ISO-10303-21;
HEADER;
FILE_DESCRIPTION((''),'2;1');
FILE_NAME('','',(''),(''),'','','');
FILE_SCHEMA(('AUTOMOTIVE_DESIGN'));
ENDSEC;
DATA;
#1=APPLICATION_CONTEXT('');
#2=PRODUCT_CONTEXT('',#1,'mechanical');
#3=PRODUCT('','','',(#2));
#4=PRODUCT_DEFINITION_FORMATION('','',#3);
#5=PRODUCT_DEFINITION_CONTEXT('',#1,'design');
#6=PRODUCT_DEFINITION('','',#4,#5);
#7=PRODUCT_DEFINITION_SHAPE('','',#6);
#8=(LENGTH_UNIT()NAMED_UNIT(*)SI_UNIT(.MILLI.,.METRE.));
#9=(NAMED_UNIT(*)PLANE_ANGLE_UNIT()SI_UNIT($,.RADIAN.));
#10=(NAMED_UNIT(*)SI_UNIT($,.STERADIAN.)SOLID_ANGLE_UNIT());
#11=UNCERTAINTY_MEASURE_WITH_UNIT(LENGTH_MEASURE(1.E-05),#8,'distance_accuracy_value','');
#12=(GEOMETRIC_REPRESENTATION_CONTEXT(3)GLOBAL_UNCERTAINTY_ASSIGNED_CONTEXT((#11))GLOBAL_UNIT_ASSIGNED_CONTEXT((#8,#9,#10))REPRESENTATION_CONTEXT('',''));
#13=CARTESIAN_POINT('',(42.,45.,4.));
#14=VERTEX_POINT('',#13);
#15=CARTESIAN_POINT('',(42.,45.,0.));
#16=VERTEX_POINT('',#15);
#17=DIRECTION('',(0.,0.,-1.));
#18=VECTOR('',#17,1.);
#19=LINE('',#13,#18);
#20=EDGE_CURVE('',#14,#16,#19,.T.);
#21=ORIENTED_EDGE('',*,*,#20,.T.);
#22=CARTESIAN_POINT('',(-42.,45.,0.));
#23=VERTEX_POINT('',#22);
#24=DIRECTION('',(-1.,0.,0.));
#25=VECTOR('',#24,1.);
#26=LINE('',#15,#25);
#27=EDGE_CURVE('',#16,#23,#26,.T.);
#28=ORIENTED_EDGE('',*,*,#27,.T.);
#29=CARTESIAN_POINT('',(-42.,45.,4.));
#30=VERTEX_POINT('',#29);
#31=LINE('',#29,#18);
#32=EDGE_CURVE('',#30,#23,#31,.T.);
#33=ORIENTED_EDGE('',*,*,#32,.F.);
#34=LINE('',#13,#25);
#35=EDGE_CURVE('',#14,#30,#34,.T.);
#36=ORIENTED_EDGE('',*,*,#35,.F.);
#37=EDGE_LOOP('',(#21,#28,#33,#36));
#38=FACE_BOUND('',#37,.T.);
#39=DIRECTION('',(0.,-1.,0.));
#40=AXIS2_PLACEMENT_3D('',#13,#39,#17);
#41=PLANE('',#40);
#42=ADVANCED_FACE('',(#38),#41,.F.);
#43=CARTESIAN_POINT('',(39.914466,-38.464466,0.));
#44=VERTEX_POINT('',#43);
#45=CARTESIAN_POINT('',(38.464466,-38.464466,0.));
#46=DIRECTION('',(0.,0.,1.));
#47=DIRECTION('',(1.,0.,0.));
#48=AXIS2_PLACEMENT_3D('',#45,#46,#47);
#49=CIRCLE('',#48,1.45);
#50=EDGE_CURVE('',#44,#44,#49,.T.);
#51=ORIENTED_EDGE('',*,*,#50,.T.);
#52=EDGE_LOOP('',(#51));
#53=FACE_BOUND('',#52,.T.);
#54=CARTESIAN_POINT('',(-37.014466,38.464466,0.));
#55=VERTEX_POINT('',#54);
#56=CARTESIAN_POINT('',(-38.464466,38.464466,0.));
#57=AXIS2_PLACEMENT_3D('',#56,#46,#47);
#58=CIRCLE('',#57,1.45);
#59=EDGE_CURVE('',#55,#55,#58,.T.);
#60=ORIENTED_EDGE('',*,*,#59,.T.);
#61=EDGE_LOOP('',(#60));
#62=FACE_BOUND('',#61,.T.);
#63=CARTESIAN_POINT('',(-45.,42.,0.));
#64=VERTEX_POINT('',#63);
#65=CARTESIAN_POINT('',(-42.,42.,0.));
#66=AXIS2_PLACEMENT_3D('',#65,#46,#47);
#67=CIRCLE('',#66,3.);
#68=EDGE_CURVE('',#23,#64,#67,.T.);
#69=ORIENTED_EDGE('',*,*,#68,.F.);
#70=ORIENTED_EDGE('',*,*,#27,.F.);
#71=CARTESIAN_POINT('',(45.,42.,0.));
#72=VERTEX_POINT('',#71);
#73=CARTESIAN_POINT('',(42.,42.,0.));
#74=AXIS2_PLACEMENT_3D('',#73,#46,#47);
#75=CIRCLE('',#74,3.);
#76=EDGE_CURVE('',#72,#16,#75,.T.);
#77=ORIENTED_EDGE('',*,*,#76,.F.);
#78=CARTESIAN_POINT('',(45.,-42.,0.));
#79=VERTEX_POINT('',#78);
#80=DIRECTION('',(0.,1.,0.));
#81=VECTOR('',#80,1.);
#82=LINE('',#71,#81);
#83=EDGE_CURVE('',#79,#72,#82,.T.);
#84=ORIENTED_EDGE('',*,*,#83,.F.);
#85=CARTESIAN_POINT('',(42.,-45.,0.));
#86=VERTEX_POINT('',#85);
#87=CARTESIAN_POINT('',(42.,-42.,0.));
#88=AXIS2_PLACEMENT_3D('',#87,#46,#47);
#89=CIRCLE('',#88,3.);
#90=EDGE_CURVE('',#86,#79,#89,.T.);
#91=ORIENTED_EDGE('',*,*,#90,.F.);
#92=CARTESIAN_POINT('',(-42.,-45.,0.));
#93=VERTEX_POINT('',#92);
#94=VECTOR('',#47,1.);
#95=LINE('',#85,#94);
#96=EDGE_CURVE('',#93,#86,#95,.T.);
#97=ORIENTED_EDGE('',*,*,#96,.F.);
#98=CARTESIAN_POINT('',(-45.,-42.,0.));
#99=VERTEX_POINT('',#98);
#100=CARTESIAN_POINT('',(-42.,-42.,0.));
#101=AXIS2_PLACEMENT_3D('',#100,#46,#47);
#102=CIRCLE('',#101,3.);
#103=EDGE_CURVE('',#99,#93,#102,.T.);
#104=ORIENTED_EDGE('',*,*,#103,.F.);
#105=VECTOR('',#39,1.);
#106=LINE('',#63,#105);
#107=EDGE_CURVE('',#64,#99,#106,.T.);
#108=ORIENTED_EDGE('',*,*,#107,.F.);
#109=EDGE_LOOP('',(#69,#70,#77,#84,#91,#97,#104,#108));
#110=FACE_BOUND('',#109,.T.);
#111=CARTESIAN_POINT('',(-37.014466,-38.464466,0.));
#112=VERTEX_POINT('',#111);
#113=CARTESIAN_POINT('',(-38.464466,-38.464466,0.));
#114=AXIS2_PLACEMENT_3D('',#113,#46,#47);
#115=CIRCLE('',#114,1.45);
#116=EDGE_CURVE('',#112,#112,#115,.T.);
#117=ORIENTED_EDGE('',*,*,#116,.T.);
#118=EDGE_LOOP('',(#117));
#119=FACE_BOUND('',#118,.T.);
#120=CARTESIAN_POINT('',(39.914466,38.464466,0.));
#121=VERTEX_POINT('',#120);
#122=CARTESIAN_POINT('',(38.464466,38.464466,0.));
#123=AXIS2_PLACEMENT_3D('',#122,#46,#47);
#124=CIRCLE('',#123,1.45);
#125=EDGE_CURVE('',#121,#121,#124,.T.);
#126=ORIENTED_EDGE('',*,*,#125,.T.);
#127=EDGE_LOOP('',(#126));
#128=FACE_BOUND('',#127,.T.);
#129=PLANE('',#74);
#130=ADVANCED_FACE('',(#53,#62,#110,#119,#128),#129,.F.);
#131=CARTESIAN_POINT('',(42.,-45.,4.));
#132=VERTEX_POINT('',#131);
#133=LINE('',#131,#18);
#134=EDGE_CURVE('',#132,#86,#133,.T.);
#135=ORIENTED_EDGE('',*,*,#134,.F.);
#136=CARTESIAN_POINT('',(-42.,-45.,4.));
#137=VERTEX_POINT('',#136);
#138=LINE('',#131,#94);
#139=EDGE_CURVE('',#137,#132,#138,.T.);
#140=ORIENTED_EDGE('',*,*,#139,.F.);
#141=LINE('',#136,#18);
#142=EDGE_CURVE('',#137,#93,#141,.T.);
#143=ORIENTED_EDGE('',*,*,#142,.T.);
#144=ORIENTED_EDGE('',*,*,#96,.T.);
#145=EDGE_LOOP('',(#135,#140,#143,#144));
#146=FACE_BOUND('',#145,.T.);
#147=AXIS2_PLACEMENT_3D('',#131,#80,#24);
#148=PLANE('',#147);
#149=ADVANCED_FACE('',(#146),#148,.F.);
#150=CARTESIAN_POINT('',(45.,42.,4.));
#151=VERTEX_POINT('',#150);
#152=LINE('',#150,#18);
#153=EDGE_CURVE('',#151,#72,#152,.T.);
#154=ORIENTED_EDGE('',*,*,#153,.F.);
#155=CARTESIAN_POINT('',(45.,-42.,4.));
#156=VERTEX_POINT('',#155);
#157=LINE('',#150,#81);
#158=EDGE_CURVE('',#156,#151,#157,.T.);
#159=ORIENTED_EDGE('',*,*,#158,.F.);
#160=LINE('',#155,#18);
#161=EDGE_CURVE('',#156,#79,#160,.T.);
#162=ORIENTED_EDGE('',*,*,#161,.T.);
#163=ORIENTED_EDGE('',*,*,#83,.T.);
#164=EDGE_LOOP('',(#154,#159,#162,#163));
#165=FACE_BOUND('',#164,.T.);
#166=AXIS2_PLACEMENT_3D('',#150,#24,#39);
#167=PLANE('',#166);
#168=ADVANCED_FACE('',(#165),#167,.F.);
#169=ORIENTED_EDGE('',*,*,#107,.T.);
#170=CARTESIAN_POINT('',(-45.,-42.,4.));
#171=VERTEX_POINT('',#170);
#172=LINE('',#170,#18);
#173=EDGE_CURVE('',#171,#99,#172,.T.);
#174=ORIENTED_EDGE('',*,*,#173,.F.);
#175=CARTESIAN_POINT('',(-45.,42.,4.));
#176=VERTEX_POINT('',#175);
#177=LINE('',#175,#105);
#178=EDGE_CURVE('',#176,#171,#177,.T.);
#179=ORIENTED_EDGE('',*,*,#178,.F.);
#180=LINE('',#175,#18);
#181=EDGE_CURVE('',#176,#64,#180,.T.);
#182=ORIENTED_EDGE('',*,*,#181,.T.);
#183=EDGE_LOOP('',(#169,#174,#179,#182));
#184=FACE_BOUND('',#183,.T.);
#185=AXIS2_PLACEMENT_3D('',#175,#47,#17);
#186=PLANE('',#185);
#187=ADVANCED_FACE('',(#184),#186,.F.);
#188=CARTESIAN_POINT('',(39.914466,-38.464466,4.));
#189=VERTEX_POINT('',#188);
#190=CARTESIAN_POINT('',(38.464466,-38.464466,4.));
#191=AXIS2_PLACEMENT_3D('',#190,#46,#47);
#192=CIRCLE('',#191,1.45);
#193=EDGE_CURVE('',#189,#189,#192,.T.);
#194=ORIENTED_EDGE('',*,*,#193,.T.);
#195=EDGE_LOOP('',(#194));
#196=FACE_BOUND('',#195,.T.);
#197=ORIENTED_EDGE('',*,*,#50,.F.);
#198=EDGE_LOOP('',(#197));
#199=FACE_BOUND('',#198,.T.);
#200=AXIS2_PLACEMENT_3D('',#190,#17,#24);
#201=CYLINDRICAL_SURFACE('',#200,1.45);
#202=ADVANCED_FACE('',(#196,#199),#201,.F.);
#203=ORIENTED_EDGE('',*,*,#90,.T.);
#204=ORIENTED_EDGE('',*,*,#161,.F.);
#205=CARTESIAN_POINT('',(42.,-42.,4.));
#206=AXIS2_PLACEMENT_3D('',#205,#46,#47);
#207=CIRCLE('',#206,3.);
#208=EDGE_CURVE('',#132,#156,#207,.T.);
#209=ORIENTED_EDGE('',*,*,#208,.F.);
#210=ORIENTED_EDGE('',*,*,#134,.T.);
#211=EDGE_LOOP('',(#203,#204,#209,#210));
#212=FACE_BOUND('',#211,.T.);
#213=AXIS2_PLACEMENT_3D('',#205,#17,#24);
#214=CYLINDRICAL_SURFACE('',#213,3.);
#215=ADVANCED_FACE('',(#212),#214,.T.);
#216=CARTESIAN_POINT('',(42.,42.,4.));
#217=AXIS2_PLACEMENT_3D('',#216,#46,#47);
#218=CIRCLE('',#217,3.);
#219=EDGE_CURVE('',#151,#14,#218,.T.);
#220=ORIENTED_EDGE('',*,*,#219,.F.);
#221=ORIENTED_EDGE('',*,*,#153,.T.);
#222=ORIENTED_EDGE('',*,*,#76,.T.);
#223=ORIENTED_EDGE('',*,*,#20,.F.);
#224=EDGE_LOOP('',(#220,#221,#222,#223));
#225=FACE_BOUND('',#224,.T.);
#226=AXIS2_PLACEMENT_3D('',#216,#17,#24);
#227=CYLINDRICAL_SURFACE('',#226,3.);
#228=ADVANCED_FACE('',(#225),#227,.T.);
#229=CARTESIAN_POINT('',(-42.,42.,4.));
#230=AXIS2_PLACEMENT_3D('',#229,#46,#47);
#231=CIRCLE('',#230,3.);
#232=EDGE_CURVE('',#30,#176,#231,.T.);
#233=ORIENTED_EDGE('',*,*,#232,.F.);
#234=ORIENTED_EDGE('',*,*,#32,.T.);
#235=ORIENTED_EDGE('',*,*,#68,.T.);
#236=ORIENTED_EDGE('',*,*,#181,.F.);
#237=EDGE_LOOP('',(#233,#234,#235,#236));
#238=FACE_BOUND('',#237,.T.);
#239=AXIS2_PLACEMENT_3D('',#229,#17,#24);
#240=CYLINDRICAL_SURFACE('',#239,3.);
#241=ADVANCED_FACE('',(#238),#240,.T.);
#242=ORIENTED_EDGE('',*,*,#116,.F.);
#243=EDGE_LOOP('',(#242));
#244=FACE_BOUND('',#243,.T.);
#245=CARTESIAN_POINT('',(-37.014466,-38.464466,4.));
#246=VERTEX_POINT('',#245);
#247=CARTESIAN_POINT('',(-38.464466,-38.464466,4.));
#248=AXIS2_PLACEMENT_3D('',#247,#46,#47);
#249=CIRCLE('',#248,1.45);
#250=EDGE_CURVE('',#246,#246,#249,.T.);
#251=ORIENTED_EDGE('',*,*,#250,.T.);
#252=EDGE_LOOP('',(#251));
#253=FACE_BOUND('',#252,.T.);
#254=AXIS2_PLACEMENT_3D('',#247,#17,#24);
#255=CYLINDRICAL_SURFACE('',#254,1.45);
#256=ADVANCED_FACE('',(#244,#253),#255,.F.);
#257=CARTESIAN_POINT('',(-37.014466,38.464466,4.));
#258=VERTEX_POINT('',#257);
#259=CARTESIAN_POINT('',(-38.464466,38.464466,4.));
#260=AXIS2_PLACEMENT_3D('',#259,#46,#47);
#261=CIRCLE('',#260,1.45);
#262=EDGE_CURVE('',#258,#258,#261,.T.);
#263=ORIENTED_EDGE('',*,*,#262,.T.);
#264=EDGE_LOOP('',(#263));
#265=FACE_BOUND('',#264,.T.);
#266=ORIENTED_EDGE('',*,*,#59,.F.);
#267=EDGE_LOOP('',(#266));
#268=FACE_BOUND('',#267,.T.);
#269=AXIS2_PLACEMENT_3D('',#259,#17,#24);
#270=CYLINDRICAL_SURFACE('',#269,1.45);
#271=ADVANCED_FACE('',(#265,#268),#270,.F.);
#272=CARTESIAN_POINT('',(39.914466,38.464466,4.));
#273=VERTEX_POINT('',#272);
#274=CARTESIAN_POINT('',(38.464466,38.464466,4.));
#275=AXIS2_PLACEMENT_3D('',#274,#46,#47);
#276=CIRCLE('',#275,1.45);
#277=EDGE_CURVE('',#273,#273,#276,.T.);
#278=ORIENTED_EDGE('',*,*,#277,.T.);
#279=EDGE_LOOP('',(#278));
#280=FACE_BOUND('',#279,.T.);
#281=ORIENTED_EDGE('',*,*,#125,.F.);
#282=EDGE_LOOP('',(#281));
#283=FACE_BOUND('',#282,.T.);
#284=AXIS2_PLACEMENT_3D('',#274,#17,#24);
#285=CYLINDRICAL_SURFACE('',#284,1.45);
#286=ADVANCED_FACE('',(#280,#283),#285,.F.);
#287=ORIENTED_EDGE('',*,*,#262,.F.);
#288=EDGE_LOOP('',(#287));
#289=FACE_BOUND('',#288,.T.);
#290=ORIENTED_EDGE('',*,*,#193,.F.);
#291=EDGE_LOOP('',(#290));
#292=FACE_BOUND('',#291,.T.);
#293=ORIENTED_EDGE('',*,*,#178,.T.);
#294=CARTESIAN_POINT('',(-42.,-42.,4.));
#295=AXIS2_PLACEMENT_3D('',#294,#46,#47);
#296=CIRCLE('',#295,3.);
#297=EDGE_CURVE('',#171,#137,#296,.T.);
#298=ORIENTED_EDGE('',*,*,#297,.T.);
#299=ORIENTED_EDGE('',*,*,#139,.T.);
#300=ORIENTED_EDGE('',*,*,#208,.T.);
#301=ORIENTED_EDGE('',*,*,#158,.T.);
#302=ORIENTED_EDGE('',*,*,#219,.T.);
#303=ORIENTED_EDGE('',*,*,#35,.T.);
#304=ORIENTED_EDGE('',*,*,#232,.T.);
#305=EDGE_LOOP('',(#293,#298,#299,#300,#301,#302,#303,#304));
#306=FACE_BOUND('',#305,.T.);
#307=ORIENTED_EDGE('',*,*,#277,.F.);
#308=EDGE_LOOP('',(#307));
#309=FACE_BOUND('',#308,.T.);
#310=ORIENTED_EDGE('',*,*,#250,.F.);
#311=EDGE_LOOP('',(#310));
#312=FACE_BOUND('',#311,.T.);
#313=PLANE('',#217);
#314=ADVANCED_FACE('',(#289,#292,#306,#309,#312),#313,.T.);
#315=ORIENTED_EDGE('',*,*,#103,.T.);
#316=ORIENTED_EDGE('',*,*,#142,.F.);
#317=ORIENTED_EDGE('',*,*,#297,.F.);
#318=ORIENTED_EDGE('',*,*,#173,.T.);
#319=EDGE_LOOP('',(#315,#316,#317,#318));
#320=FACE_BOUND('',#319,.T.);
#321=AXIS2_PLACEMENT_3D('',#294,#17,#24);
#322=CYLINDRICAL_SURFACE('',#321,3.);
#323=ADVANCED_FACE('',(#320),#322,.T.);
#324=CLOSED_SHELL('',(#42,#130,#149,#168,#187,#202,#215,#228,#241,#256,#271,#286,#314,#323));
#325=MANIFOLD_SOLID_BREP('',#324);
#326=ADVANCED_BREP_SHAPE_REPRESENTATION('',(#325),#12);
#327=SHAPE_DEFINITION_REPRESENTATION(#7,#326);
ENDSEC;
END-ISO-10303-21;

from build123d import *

# Parameters (mm, degrees)
SKETCH1_R           = 1.45
BOSS_EXTRUDE1_DEPTH = 4


with BuildPart() as part:
    # Sketch1 → Boss-Extrude1 (new body)
    with BuildSketch(Plane.XY):
        with BuildLine():
            Line((42, 45), (-42, 45))
            ThreePointArc((-42, 45), (-44.121320344, 44.121320344), (-45, 42))
            Line((-45, 42), (-45, -42))
            ThreePointArc((-45, -42), (-44.121320344, -44.121320344), (-42, -45))
            Line((-42, -45), (42, -45))
            ThreePointArc((42, -45), (44.121320344, -44.121320344), (45, -42))
            Line((45, -42), (45, 42))
            ThreePointArc((45, 42), (44.121320344, 44.121320344), (42, 45))
        make_face()
        with Locations((-38.464466094, -38.464466094)):
            Circle(SKETCH1_R, mode=Mode.SUBTRACT)
        with Locations((38.464466094, -38.464466094)):
            Circle(SKETCH1_R, mode=Mode.SUBTRACT)
        with Locations((38.464466094, 38.464466094)):
            Circle(SKETCH1_R, mode=Mode.SUBTRACT)
        with Locations((-38.464466094, 38.464466094)):
            Circle(SKETCH1_R, mode=Mode.SUBTRACT)
    extrude(amount=BOSS_EXTRUDE1_DEPTH)


solid = part.part
